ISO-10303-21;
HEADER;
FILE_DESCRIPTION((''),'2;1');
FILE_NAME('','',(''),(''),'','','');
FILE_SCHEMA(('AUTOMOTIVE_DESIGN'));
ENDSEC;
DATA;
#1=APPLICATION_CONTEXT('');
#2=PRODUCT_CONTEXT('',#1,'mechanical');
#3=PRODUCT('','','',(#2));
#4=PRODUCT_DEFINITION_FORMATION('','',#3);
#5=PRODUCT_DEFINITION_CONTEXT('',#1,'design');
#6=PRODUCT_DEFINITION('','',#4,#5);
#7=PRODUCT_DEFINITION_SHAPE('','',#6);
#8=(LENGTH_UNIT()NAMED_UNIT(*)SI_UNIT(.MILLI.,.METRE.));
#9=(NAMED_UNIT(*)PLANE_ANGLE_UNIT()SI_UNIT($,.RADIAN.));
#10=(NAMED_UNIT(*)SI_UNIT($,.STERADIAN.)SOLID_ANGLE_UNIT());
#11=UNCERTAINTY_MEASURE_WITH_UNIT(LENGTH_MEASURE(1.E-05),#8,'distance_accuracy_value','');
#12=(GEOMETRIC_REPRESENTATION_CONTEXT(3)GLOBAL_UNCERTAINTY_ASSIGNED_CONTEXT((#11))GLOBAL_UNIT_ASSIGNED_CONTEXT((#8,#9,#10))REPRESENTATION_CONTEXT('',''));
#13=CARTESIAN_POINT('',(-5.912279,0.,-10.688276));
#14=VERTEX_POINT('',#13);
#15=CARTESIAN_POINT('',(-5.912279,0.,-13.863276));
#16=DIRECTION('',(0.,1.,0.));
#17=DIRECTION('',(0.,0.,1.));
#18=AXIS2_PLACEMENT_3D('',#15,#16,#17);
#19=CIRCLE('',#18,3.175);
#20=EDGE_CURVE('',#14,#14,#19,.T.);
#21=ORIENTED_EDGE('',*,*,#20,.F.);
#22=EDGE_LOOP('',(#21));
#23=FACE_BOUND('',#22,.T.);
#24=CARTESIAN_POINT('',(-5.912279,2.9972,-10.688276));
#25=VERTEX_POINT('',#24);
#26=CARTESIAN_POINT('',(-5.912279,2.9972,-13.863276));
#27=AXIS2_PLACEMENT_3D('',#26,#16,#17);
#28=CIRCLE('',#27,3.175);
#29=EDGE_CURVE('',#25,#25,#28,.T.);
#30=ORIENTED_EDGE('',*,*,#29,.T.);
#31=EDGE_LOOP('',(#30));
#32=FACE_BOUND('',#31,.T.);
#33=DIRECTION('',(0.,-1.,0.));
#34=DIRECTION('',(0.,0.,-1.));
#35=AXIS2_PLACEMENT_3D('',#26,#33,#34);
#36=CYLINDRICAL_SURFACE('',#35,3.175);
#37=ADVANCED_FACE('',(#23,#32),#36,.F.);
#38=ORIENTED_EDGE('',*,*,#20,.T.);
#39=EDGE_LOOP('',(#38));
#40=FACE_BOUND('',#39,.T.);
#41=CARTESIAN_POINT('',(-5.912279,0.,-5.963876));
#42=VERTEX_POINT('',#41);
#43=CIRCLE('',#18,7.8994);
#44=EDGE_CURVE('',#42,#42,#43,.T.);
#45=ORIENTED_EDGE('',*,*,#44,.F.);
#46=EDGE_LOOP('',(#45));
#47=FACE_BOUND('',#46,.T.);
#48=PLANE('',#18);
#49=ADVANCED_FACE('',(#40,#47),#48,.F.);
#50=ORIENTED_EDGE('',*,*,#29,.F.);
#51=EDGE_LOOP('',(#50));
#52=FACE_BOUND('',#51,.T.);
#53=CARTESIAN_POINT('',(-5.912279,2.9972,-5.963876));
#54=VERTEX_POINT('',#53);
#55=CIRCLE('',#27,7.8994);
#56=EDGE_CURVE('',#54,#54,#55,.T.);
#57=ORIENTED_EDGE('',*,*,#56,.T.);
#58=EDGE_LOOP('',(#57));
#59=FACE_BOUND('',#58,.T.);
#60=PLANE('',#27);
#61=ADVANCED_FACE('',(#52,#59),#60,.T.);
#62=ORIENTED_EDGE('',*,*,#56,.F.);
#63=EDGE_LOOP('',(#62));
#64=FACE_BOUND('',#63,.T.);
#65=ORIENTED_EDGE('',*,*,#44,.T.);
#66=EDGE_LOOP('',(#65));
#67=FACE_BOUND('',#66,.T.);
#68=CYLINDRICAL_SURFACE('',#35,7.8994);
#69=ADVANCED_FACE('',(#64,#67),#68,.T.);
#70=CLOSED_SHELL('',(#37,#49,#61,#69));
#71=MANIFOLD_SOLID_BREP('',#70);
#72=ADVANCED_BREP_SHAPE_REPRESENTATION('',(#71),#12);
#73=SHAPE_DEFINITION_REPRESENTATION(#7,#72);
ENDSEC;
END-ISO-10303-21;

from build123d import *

# Parameters (mm, degrees)
SKETCH1_R      = 7.8994
SKETCH1_R_2    = 3.175
EXTRUDE1_DEPTH = 2.9972


with BuildPart() as part:
    # Sketch1 → Extrude1 (new body)
    with BuildSketch(Plane(origin=(0, 0, 0), x_dir=(1, 0, 0), z_dir=(0, 1, 0))):
        with Locations((-5.912279496, 13.86327606)):
            Circle(SKETCH1_R)
        with Locations((-5.912279496, 13.86327606)):
            Circle(SKETCH1_R_2, mode=Mode.SUBTRACT)
    extrude(amount=EXTRUDE1_DEPTH)


solid = part.part
